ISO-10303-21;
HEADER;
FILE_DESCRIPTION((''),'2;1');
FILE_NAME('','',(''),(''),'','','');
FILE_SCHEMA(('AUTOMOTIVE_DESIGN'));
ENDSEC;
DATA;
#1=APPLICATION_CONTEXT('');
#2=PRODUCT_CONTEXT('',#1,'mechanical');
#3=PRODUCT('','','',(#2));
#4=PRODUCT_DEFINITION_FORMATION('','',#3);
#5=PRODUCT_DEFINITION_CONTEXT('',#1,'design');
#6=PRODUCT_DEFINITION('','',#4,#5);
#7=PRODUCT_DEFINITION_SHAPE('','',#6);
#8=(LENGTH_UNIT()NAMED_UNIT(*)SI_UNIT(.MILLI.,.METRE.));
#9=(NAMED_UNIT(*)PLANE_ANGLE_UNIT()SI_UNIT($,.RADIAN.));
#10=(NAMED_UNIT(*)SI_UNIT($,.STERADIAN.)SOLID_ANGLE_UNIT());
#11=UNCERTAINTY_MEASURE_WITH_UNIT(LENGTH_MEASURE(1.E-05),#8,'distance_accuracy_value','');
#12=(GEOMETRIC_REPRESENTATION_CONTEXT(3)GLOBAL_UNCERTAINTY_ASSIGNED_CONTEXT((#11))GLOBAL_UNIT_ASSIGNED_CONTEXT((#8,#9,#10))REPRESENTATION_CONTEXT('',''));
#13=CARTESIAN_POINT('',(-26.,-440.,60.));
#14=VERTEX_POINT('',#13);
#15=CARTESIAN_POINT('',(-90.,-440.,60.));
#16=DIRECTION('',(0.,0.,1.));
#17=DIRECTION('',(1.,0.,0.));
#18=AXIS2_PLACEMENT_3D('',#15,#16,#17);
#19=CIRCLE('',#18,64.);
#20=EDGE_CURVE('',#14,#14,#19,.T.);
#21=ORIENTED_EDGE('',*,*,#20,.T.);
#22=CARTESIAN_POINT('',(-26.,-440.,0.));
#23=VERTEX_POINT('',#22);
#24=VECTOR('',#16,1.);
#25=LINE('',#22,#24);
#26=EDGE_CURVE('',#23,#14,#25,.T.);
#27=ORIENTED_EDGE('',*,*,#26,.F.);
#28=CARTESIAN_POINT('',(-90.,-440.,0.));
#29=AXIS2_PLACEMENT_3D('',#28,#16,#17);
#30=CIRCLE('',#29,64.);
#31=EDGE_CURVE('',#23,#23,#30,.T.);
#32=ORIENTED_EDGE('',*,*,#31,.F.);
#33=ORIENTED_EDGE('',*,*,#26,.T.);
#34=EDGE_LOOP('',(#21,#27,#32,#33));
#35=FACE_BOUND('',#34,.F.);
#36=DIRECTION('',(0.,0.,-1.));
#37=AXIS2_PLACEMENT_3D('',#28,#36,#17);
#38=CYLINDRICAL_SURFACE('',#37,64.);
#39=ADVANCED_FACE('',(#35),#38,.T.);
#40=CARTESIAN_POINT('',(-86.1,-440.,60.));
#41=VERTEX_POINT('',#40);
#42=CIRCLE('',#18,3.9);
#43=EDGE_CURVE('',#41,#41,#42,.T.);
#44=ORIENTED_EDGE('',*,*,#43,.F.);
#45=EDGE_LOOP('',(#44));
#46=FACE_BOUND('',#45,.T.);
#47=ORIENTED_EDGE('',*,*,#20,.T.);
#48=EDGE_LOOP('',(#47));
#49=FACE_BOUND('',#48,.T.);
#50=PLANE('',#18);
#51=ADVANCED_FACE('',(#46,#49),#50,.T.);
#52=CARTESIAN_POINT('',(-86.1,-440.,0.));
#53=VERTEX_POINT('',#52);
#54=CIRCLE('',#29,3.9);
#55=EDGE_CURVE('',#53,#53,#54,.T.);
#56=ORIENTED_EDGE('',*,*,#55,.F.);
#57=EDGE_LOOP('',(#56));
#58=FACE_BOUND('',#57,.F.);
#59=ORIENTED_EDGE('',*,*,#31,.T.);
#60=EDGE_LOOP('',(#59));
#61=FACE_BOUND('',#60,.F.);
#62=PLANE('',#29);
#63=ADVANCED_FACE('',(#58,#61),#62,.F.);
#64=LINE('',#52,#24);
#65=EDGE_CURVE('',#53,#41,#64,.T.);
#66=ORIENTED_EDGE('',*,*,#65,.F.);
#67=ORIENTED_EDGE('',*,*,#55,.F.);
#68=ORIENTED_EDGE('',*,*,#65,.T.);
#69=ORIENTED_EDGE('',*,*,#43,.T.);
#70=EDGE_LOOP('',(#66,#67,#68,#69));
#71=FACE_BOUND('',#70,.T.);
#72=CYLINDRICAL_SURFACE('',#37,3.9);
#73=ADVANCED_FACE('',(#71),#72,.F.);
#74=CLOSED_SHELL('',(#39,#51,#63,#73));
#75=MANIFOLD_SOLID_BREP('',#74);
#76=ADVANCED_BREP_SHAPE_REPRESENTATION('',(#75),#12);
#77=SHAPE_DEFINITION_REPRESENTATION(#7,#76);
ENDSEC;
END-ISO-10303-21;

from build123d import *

# Parameters (mm, degrees)
CYLINDER_R     = 3.9
CYLINDER_DEPTH = 60
SKETCH_R       = 64
PAD_DEPTH      = 60


with BuildPart() as cylinder:
    # Cylinder → Cylinder (new body)
    with BuildSketch(Plane.XY):
        Circle(CYLINDER_R)
    extrude(amount=CYLINDER_DEPTH)


with BuildPart() as cut:
    # Sketch → Pad (new body)
    with BuildSketch(Plane.XY):
        Circle(SKETCH_R)
    extrude(amount=PAD_DEPTH)

    # Cut: cut Cylinder
    add(cylinder.part, mode=Mode.SUBTRACT)


with BuildPart() as cut_1:
    # Cut placement: moved
    add(cut.part.moved(Location((-90, -440, 0))))


solid = cut_1.part
